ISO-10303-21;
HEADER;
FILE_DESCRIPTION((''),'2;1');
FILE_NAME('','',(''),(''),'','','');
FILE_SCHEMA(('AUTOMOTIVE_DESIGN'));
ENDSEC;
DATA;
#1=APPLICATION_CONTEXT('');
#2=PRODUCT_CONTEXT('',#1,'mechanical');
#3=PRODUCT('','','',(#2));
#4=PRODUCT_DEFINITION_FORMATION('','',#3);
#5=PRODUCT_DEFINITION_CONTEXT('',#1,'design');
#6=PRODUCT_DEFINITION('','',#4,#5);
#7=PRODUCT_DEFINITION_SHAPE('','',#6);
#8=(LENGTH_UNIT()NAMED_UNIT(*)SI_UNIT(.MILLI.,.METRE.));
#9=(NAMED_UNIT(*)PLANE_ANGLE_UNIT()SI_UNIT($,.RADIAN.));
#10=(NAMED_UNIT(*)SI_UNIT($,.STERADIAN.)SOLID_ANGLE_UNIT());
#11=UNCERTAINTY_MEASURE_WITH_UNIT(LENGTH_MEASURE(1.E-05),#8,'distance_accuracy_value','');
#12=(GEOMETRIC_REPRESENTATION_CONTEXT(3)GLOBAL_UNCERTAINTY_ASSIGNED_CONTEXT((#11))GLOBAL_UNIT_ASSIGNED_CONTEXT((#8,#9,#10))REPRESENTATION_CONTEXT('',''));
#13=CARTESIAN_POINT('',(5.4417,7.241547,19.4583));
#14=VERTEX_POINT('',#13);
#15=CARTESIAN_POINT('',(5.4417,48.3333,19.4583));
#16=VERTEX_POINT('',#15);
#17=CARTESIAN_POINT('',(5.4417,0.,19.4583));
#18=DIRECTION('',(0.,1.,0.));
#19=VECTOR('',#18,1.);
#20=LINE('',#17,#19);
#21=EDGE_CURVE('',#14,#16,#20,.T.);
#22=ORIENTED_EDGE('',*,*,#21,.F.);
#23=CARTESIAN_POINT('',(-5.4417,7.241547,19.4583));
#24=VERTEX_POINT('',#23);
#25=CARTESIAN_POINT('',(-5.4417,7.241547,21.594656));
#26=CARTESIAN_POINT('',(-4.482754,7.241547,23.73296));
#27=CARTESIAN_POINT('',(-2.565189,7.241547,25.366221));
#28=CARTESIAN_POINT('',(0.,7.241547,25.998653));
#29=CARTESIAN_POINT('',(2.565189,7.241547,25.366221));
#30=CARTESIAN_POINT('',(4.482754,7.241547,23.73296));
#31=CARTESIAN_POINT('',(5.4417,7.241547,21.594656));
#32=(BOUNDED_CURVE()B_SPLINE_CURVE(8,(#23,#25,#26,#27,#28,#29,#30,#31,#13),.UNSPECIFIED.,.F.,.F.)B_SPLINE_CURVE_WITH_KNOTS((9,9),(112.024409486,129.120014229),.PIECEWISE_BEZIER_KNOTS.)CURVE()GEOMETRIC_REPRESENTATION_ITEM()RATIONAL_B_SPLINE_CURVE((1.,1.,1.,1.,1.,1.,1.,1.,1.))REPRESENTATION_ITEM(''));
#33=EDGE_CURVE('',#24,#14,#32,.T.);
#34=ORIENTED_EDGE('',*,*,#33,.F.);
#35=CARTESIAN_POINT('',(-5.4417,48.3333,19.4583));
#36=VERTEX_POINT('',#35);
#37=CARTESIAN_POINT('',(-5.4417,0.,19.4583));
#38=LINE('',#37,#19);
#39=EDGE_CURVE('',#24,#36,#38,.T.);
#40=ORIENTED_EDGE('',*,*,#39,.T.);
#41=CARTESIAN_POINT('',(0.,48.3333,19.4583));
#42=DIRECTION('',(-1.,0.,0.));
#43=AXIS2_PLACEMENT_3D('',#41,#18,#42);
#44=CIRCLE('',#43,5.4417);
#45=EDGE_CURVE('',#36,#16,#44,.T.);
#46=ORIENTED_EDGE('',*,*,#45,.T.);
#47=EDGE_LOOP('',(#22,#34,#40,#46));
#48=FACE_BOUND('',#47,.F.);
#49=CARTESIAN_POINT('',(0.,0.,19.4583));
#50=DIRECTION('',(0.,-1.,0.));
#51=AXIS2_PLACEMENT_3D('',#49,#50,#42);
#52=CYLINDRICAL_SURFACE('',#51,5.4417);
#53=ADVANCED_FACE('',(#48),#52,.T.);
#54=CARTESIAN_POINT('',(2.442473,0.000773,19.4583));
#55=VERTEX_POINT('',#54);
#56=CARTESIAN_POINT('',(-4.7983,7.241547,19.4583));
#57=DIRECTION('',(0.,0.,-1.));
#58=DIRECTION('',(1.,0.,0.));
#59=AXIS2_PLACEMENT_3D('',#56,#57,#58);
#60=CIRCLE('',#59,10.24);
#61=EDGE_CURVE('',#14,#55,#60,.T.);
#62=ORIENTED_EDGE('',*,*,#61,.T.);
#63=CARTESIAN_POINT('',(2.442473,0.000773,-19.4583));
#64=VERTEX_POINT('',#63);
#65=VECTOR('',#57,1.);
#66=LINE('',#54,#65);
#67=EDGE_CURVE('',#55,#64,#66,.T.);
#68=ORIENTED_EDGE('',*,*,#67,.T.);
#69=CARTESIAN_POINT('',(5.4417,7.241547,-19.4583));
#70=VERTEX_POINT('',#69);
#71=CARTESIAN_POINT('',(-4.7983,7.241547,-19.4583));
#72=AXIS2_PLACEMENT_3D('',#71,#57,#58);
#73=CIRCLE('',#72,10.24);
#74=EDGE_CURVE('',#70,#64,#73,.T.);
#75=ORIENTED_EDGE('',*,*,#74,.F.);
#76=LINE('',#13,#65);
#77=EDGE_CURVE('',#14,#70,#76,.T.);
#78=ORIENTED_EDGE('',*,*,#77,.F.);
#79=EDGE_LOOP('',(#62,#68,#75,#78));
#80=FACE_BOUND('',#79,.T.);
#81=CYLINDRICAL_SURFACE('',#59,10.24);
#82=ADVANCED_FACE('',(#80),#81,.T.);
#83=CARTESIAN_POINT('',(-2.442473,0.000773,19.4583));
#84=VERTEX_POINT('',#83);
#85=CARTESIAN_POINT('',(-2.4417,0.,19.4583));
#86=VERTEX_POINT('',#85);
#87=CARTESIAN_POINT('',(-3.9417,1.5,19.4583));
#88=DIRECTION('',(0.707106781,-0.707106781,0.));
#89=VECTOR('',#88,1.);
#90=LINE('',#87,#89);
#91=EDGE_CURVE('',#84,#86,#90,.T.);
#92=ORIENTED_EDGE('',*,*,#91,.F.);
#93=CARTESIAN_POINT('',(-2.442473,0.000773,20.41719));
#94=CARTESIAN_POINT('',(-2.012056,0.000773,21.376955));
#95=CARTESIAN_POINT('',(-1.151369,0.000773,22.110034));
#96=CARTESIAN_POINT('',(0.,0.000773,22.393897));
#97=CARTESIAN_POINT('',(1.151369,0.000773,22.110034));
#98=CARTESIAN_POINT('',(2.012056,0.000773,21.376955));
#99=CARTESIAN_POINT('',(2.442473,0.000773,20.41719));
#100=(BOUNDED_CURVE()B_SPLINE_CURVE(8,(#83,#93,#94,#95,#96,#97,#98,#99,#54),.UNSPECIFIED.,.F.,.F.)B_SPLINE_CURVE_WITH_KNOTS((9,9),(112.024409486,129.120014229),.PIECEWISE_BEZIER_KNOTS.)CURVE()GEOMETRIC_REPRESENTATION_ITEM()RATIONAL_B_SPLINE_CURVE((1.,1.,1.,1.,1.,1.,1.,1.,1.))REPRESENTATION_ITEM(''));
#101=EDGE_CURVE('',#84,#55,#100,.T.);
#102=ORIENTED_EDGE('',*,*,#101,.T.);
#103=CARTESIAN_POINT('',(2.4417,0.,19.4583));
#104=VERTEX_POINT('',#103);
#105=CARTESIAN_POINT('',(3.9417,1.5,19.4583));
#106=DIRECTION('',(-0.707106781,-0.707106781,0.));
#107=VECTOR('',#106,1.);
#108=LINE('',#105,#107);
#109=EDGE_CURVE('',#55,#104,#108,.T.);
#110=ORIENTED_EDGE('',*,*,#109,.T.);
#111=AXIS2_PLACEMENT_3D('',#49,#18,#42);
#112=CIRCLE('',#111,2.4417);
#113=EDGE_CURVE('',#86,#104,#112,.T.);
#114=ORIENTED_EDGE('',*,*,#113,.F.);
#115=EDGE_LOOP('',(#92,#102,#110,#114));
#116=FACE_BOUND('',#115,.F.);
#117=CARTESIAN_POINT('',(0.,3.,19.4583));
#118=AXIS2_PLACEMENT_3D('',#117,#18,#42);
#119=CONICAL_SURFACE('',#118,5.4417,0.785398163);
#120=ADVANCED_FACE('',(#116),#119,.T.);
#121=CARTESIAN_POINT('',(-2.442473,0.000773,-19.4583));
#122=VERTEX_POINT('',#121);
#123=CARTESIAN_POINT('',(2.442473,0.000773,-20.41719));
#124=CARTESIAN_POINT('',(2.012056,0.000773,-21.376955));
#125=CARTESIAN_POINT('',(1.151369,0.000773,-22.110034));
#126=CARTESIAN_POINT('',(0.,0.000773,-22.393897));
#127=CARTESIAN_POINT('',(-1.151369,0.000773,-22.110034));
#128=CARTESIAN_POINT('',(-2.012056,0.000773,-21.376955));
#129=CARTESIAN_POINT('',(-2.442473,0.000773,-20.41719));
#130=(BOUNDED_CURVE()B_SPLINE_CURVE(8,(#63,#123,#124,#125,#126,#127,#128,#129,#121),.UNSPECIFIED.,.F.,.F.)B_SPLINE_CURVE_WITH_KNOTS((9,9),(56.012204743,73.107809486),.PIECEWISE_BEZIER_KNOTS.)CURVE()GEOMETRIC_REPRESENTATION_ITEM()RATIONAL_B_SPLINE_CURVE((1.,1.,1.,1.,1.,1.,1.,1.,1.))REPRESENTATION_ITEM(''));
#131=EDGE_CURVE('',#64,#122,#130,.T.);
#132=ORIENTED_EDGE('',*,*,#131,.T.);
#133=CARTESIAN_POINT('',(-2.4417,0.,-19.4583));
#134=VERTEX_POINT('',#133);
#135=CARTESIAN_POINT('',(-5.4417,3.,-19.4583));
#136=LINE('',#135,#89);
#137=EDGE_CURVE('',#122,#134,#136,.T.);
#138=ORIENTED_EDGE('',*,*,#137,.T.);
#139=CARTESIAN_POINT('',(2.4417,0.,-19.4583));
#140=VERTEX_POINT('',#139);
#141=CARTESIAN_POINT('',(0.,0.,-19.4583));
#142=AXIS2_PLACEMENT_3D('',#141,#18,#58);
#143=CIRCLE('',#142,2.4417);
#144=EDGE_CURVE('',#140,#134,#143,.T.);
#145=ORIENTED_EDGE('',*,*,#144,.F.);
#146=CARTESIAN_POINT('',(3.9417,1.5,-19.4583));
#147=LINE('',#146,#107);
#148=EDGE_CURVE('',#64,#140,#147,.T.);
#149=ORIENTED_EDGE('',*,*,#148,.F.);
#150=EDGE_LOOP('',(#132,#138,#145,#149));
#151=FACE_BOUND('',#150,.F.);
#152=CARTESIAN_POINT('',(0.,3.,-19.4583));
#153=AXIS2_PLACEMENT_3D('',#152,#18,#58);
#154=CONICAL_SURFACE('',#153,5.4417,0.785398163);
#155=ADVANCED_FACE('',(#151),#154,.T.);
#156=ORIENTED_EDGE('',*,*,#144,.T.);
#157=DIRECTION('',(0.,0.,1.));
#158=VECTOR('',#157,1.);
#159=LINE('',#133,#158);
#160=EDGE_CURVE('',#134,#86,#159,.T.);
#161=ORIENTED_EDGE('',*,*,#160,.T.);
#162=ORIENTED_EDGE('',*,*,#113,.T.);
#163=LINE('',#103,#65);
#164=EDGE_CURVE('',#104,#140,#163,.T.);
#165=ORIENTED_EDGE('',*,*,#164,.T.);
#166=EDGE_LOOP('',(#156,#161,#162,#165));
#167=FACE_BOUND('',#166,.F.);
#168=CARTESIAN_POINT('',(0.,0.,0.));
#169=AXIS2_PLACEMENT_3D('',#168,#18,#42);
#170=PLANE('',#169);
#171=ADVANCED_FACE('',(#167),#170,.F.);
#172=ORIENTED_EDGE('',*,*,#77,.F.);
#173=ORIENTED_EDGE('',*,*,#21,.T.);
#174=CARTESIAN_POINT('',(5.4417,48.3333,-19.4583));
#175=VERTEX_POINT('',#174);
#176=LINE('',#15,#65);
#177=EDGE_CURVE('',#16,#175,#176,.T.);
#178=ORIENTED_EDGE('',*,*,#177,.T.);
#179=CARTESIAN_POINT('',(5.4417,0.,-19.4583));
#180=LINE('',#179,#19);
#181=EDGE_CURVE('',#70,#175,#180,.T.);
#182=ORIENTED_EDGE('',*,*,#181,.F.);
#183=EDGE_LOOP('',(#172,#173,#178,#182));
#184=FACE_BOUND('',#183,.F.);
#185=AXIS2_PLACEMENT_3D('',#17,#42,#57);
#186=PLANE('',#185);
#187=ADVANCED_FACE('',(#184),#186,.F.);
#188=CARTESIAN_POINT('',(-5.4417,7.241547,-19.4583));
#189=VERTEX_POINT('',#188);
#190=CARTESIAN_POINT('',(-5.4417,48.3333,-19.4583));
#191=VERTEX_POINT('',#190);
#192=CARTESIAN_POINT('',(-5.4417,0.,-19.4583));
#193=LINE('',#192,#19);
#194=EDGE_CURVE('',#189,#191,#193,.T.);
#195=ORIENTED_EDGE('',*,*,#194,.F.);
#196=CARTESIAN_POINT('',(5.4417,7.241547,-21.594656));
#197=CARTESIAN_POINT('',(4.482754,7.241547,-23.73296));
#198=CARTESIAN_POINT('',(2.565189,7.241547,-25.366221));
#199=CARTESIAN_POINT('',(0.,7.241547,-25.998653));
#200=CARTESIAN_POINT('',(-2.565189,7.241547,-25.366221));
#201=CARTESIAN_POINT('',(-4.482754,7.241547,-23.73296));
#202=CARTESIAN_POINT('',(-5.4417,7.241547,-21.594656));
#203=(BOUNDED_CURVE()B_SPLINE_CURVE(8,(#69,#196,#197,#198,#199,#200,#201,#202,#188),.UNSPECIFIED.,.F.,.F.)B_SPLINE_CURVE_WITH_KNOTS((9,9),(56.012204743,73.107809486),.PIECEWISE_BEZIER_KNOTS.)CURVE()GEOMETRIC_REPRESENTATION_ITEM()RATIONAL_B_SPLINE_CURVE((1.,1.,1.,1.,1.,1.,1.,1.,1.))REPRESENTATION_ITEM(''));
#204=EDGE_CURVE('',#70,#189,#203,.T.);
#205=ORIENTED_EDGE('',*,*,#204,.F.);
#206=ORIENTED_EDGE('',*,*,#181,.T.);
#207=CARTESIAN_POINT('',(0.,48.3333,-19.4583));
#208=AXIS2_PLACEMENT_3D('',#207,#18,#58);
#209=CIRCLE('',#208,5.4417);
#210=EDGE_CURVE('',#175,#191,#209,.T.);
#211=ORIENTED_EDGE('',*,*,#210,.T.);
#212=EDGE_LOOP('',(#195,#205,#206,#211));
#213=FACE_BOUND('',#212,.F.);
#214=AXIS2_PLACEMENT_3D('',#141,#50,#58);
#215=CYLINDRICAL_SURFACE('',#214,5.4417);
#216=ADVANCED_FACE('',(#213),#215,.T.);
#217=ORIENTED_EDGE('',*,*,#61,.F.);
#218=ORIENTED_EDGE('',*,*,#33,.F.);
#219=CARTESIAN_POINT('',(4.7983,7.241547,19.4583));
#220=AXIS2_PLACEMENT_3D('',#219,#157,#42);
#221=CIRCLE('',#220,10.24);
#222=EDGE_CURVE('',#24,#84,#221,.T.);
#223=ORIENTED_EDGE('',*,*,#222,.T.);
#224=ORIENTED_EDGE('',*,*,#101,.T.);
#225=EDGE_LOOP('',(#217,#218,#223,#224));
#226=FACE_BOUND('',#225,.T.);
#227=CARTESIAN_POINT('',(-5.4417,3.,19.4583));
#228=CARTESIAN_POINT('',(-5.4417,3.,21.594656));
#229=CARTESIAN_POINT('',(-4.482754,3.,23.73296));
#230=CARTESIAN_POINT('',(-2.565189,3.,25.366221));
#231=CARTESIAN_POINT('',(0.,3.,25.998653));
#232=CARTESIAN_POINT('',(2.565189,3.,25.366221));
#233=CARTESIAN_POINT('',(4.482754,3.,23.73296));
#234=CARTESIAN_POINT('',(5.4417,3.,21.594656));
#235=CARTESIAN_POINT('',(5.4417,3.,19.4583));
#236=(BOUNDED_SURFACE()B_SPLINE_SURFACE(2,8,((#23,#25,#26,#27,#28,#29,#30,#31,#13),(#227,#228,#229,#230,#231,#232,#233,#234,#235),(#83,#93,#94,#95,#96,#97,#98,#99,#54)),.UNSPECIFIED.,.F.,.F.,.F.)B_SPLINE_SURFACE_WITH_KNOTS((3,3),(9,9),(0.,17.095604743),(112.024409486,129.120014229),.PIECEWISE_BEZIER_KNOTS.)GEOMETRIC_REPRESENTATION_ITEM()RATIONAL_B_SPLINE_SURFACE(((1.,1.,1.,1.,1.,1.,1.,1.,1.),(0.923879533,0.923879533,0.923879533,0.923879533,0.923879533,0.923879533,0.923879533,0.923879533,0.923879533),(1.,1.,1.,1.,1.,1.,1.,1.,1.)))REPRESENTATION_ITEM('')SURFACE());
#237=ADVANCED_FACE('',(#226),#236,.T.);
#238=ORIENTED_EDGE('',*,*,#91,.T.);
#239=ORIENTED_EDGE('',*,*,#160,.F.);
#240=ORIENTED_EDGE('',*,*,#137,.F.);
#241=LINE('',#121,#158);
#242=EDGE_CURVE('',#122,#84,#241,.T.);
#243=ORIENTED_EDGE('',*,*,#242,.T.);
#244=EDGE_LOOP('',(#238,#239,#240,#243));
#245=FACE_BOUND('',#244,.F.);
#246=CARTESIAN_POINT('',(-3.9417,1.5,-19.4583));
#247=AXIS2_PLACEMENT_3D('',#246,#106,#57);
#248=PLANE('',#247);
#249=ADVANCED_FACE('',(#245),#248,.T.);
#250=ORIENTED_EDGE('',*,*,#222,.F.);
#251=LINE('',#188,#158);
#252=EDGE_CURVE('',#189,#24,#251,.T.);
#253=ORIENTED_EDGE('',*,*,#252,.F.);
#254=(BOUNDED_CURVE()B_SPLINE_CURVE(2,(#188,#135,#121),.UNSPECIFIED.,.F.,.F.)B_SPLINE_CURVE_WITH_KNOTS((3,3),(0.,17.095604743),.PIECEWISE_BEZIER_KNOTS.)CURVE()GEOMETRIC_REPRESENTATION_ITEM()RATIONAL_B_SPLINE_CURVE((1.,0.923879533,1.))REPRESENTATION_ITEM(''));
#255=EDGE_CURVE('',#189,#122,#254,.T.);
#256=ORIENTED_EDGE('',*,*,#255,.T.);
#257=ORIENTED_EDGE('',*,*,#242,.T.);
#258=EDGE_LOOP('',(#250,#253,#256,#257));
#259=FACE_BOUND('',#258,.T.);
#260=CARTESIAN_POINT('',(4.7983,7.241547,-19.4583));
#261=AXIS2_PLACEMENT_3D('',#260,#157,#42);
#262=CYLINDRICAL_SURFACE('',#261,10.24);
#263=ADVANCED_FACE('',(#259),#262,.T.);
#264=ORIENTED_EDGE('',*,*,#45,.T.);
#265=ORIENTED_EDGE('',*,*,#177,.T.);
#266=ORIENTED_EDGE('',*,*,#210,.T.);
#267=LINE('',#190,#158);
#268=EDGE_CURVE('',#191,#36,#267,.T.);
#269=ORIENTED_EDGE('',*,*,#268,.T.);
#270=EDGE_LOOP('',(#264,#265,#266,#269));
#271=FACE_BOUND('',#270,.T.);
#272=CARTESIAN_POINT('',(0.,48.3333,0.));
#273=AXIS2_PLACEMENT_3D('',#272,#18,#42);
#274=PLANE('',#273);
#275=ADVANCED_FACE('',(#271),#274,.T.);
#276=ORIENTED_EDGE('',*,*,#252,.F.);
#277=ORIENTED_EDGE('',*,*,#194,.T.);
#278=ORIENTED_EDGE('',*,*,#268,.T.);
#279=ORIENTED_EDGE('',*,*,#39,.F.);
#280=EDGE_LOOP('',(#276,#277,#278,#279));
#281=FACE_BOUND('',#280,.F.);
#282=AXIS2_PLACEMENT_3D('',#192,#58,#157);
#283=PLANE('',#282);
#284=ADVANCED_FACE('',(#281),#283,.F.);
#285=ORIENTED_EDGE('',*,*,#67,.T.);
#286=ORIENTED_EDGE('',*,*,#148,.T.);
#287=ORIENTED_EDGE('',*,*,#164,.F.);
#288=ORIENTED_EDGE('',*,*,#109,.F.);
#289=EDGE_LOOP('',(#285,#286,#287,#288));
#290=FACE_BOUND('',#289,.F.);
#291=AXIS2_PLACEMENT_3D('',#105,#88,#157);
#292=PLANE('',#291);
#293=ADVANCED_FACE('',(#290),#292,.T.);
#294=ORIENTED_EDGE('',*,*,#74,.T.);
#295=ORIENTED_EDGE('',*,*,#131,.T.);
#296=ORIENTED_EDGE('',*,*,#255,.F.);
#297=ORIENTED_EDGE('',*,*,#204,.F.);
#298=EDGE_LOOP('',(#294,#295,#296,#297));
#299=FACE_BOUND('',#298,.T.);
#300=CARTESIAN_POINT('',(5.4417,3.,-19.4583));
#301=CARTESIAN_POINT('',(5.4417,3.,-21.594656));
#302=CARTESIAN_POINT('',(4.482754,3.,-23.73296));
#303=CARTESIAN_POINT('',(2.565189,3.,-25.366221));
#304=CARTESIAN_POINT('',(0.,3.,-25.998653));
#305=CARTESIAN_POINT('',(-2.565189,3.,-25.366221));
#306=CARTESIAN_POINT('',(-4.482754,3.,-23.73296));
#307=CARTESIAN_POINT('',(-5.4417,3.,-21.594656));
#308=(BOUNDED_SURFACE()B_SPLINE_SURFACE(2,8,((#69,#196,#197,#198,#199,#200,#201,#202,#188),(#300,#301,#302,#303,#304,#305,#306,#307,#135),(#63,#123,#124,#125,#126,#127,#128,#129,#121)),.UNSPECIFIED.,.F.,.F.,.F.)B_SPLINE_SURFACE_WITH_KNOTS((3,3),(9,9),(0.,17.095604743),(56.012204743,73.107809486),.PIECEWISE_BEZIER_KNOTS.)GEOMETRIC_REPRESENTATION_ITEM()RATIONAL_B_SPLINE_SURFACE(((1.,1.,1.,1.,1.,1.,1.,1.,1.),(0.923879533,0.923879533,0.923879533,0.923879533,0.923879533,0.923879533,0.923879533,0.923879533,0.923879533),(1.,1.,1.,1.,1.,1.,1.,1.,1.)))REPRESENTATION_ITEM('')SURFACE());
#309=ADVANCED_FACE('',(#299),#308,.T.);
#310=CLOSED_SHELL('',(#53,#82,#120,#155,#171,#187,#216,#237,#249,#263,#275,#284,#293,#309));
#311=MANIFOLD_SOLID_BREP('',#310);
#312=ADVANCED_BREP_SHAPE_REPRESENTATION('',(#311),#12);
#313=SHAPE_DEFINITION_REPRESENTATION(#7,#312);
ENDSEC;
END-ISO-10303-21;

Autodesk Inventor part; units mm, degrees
ref_plane "YZ Plane" through (0, 0, 0) normal (1, 0, 0) x (0, 1, 0)
ref_plane "XZ Plane" through (0, 0, 0) normal (0, 1, 0) x (-1, 0, 0)
ref_plane "XY Plane" through (0, 0, 0) normal (0, 0, 1) x (1, 0, 0)
sketch "Sketch1" plane through (0, 0, 0) normal (0, 1, 0) x (-1, 0, 0)
  line L0 (0, -19.4583) -> (0, 19.4583) construction
  line L1 (5.5417, -19.4583) -> (5.5417, 19.4583) construction
  line L2 (-5.5417, 19.4583) -> (-5.5417, -19.4583) construction
  arc A0 (-5.5417, -19.4583) -> (5.5417, -19.4583) centre (0, -19.4583) ccw construction
  arc A1 (5.5417, 19.4583) -> (-5.5417, 19.4583) centre (0, 19.4583) ccw construction
  line L3 (-5.4417, 19.4583) -> (-5.4417, -19.4583)
  arc A2 (-5.4417, -19.4583) -> (5.4417, -19.4583) centre (0, -19.4583) ccw
  line L4 (5.4417, -19.4583) -> (5.4417, 19.4583)
  arc A3 (5.4417, 19.4583) -> (-5.4417, 19.4583) centre (0, 19.4583) ccw
  point P0 (0, 0)
  dimension "d0" = 5.5417
  dimension "d1" = 38.9167
  dimension "d2" = 0.1
extrude "Extrusion1" add sketch "Sketch1" along normal blind 48.3333
chamfer "Chamfer1" distance 3 angle 45 4 edges at (5.4417, 0, 0) (0, 0, -24.9) (-5.4417, 0, 0) (0, 0, 24.9)
fillet "Fillet2" radius 10.24 4 edges at (0, 3, 24.9) (-5.4417, 3, 0) (0, 3, -24.9) (5.4417, 3, 0)
properties part number "Contenedor anti-fuga (para imprimir en modo espiral)"
